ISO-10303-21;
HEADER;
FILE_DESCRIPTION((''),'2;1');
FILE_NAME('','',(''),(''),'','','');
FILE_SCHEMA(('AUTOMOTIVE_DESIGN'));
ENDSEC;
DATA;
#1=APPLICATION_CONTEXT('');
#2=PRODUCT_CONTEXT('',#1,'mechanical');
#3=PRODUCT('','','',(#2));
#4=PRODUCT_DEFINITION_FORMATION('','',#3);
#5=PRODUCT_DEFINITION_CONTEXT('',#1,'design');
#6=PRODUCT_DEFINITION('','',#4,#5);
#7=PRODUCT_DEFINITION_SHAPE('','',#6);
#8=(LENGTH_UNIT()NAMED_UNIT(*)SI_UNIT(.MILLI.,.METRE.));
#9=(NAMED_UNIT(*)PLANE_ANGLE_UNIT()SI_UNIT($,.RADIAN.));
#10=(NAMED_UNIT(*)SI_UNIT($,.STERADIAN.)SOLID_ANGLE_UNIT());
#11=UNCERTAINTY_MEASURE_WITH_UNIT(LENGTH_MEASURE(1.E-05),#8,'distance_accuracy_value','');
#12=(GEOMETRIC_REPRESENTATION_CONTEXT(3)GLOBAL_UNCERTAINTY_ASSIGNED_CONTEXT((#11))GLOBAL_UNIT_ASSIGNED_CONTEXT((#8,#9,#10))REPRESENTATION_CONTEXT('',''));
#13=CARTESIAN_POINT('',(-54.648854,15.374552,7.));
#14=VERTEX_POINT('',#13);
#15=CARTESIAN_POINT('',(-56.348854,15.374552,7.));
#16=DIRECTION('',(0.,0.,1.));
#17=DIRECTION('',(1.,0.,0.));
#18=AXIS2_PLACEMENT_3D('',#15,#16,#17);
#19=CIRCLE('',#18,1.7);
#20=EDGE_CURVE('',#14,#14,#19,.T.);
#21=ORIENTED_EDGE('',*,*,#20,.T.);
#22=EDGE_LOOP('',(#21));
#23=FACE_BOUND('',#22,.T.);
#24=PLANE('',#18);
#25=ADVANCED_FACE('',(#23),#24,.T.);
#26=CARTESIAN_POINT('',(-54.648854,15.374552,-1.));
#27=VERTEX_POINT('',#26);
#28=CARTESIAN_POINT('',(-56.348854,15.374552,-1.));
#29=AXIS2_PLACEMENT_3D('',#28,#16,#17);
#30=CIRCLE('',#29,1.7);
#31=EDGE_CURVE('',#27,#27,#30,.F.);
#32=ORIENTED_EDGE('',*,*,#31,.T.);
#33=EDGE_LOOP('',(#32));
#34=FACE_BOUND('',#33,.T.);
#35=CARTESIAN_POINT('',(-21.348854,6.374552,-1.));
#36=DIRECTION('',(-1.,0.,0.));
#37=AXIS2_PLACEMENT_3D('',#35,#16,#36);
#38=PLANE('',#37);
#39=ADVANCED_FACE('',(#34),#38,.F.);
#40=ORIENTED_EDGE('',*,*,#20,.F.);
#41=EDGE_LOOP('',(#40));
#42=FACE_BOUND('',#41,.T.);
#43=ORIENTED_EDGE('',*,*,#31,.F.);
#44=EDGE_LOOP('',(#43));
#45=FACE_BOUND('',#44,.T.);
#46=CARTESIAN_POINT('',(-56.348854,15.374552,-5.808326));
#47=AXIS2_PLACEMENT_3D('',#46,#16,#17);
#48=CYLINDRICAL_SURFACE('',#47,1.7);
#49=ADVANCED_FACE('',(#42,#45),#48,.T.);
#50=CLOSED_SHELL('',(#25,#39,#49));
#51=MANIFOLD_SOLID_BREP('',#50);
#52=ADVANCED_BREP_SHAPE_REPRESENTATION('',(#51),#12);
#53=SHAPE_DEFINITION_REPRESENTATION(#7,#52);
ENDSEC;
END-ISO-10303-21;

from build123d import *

# Parameters (mm, degrees)
BOSS_EXTRUDE1_DEPTH      = 7
BOSS_EXTRUDE1_DEPTH_BACK = 1
SKETCH1_R                = 1.7


with BuildPart() as part:
    # Sketch1 → Boss-Extrude1 (new, two sides: drawn at the far end of the back side and taken through both)
    with BuildSketch(Plane.XY.offset(-BOSS_EXTRUDE1_DEPTH_BACK)):
        with Locations((-56.34885412, 15.37455153)):
            Circle(SKETCH1_R)
    extrude(amount=BOSS_EXTRUDE1_DEPTH + BOSS_EXTRUDE1_DEPTH_BACK)


solid = part.part
